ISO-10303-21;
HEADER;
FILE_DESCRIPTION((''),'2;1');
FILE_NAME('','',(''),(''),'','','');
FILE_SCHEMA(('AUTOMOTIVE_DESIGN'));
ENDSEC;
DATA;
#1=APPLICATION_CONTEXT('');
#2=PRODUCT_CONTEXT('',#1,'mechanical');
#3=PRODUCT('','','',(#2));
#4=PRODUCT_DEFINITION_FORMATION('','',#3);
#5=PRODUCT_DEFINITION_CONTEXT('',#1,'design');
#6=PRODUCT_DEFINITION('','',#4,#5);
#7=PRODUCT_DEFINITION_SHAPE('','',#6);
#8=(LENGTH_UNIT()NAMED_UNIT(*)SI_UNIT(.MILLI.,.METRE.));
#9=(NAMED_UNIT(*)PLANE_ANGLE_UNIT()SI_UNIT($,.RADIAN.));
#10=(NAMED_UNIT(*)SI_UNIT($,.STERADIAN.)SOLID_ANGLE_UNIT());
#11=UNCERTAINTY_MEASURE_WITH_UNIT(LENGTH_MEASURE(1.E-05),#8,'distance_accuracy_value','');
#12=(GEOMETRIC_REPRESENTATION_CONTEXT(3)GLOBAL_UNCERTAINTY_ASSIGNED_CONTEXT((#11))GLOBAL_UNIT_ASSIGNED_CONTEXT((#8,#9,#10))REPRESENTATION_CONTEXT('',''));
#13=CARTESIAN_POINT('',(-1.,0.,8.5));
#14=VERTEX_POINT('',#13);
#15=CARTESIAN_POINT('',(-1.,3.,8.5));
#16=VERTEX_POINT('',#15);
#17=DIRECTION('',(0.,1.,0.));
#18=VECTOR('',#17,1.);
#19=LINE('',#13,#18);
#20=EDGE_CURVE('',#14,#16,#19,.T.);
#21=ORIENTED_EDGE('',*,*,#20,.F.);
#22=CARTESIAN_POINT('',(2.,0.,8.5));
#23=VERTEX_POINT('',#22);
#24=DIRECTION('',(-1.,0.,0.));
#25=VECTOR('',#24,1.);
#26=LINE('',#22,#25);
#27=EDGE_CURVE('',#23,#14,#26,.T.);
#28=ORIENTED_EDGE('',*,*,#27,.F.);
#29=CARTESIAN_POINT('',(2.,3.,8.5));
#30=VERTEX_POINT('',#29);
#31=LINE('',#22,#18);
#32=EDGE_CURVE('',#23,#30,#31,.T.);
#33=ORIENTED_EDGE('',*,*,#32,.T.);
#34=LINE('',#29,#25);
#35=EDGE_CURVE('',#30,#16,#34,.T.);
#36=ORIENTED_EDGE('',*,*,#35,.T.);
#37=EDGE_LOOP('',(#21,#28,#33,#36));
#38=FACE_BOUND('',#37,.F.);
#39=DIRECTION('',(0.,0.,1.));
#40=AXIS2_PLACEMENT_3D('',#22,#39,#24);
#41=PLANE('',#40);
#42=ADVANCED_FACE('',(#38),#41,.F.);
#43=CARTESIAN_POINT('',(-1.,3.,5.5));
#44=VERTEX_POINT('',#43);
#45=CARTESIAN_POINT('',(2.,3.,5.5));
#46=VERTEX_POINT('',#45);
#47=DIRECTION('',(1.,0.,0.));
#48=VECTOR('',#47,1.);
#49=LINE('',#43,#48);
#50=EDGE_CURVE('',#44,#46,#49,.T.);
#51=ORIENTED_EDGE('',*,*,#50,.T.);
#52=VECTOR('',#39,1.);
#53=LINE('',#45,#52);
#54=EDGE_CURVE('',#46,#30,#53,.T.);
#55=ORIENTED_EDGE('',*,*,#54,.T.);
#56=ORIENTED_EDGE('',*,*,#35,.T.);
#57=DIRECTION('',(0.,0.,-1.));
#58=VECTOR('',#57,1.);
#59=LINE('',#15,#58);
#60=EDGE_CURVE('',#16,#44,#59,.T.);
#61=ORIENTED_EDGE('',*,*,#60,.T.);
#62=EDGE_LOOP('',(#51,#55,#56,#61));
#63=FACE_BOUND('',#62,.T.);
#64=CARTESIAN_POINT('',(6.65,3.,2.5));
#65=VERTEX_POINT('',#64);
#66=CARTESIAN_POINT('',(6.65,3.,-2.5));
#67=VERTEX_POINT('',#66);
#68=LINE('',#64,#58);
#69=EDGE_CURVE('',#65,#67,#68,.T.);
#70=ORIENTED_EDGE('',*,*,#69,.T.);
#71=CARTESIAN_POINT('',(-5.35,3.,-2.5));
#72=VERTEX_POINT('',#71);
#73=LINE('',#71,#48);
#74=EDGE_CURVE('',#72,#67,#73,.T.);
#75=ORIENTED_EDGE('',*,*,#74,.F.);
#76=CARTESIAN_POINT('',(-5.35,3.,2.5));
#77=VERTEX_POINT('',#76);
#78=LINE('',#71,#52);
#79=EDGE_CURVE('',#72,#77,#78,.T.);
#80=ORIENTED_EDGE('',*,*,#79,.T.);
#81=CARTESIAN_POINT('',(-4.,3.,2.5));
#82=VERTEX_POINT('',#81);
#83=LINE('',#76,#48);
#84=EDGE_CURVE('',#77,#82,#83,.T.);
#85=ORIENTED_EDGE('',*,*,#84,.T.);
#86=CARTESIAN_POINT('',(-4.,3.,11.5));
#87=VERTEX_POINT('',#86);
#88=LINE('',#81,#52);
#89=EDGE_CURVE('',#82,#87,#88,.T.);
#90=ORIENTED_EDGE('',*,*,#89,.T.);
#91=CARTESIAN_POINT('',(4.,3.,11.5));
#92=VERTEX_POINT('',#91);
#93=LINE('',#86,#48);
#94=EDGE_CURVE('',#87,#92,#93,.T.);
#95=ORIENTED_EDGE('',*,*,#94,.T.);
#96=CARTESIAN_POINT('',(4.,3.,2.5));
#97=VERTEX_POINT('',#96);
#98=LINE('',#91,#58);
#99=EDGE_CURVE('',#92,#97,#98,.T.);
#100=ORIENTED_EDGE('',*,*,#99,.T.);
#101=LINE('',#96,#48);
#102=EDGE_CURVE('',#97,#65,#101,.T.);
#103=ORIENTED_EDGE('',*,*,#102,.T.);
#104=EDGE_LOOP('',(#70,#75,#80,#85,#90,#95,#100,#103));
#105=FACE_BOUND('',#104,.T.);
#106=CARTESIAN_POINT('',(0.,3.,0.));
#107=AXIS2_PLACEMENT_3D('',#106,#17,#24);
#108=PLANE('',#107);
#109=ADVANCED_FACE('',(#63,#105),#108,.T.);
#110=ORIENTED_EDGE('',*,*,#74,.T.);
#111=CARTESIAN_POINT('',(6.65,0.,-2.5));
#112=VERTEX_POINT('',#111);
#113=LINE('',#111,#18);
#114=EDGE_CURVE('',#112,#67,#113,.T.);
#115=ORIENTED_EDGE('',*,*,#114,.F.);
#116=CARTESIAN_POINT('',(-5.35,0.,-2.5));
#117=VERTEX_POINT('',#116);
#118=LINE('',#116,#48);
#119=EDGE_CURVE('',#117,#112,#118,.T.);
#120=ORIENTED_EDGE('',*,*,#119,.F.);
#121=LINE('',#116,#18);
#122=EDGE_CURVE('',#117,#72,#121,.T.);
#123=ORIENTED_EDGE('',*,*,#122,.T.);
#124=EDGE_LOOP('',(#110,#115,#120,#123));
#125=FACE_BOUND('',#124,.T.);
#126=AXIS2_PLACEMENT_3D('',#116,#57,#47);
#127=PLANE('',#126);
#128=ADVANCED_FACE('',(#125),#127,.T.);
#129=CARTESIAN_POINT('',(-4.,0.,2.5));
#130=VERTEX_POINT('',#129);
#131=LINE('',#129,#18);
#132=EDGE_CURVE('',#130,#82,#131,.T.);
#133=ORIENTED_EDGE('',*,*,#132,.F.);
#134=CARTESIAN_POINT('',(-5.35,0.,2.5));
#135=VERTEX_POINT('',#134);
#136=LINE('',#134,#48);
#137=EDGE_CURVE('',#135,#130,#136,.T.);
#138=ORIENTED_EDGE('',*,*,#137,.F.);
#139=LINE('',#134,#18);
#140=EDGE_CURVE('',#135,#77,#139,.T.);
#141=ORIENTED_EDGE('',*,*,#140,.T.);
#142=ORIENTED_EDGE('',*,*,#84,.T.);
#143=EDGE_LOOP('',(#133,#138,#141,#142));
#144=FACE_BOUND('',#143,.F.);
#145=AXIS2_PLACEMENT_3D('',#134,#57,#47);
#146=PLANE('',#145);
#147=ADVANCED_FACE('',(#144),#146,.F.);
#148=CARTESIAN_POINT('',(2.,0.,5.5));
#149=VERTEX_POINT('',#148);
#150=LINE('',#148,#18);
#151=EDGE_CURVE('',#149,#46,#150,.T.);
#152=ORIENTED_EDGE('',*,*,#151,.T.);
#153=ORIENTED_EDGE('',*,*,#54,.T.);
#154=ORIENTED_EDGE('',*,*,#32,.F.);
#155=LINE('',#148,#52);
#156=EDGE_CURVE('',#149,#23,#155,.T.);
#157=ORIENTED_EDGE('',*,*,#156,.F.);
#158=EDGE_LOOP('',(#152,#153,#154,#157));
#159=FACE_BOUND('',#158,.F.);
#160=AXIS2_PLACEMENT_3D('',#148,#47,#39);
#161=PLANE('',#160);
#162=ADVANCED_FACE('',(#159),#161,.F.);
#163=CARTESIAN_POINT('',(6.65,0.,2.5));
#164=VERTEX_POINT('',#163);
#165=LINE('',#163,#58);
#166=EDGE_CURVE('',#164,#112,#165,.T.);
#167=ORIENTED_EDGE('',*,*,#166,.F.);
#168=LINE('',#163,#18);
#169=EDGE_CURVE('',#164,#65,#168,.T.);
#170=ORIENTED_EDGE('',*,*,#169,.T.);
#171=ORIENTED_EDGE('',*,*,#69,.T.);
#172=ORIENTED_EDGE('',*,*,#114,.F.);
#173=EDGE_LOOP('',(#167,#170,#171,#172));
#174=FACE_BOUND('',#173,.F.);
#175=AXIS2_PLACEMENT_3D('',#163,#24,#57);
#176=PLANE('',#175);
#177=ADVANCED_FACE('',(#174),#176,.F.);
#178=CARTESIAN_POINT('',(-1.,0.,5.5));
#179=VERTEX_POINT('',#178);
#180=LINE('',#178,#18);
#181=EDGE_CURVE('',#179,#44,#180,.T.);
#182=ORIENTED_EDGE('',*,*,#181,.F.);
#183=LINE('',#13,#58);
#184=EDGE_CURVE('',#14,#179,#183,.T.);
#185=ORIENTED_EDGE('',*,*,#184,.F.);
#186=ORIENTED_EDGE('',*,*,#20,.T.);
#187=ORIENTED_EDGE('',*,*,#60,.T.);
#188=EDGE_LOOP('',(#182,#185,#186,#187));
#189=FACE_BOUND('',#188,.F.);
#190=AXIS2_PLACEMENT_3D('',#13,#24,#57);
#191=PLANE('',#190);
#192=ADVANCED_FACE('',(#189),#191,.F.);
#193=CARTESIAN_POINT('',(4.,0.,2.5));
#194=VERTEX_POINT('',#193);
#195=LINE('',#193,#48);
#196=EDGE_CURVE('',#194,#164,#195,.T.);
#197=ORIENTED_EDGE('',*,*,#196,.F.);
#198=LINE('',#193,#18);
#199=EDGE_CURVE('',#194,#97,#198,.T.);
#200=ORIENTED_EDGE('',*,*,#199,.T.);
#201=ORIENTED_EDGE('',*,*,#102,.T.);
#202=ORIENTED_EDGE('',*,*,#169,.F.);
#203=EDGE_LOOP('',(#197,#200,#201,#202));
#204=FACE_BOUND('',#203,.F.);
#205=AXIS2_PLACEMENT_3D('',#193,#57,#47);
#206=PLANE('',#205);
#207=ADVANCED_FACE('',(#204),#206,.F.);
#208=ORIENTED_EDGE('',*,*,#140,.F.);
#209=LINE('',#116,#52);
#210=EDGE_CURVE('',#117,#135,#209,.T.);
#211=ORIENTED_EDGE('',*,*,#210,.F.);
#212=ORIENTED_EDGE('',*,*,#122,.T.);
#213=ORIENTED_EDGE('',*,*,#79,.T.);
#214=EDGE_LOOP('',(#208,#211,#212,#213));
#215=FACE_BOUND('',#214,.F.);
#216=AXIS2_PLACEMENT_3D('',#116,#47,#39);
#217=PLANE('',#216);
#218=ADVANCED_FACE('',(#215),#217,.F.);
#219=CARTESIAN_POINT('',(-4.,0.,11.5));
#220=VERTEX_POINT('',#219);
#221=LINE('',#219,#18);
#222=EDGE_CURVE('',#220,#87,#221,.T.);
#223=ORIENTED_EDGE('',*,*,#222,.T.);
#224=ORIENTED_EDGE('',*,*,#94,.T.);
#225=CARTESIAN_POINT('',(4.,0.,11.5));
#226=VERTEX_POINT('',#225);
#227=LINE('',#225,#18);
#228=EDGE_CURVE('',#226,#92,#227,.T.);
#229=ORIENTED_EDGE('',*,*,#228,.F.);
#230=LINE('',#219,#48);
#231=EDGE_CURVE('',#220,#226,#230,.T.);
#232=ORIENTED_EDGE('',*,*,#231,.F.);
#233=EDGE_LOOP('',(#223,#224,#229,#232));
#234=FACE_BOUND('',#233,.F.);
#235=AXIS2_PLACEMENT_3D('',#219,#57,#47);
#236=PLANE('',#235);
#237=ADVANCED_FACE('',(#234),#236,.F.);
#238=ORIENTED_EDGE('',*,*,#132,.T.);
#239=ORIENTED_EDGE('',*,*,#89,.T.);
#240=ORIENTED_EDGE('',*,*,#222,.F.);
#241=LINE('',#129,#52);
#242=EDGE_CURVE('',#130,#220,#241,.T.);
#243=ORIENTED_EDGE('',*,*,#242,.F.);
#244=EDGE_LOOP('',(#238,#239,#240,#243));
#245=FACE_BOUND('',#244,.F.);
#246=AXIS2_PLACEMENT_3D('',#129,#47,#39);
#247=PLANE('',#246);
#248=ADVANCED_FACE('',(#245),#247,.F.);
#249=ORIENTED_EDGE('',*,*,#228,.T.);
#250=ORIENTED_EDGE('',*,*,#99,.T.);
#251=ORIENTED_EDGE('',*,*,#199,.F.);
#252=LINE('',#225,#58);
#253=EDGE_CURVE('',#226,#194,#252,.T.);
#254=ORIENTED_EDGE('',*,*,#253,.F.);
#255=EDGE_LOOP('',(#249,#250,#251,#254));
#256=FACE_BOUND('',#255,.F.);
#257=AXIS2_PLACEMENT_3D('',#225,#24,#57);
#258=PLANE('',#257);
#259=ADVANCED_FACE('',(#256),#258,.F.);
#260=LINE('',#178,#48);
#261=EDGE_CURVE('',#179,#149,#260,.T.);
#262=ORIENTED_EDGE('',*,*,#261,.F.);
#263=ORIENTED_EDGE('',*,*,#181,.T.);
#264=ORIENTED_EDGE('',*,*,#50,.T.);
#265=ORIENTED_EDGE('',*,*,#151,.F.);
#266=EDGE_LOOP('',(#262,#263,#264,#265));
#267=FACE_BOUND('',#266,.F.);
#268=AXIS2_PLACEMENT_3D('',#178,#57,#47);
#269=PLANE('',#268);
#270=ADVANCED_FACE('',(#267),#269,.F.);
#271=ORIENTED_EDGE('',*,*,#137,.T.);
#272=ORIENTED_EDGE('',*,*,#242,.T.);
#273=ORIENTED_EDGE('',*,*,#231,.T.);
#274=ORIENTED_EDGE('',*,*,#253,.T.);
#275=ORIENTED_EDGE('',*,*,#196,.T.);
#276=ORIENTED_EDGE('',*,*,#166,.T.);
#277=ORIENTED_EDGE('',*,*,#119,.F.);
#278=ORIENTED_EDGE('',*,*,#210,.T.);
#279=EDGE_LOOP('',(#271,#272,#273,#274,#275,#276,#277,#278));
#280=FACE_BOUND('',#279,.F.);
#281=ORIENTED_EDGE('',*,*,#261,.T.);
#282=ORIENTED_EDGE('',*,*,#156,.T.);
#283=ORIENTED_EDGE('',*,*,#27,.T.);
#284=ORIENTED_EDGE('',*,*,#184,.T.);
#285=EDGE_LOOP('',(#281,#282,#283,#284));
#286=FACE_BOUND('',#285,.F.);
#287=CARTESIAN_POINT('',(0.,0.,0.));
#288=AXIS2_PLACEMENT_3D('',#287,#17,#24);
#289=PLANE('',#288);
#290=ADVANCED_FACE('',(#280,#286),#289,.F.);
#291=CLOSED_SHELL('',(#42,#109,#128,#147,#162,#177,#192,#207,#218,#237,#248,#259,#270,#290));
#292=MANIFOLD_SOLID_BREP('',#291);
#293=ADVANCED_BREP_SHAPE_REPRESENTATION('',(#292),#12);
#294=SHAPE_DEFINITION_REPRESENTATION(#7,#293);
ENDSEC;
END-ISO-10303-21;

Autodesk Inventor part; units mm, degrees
ref_plane "YZ Plane" through (0, 0, 0) normal (1, 0, 0) x (0, 1, 0)
ref_plane "XZ Plane" through (0, 0, 0) normal (0, 1, 0) x (-1, 0, 0)
ref_plane "XY Plane" through (0, 0, 0) normal (0, 0, 1) x (1, 0, 0)
sketch "草圖1" plane through (0, 0, 0) normal (0, 1, 0) x (-1, 0, 0)
  line L0 (4, 11.5) -> (-4, 11.5)
  line L1 (-6.65, 2.5) -> (-6.65, -2.5)
  line L2 (5.35, -2.5) -> (5.35, 2.5)
  line L3 (5.35, 2.5) -> (4, 2.5)
  line L4 (-4, 2.5) -> (-6.65, 2.5)
  line L5 (-4, 11.5) -> (-4, 2.5)
  line L6 (0, 14.8546) -> (0, -17.157) construction
  line L7 (13.4413, 0) -> (-16.1444, 0) construction
  line L8 (4, 2.5) -> (4, 11.5)
  line L9 (5.35, -2.5) -> (-6.65, -2.5)
  line L10 (1, 5.5) -> (-2, 5.5)
  line L11 (-2, 5.5) -> (-2, 8.5)
  line L12 (-2, 8.5) -> (1, 8.5)
  line L13 (1, 8.5) -> (1, 5.5)
  line L14 (12.2, -7.6911) -> (12.2, 12.9035)
  point P0 (0, 0)
  point P1 (-6.65, 0)
  point P2 (5.35, 0)
  point P3 (0, 8.5)
  dimension "d0" = 8
  dimension "d3" = 5
  dimension "d5" = 12
  dimension "d9" = 9
  dimension "d13" = 1.35
  dimension "d17" = 28.4
  dimension "d18" = 3
  dimension "d19" = 3
  dimension "d20" = 3
extrude "擠出1" add sketch "草圖1" along normal blind 3
properties part number "plug" material "木材 (楓木)"
